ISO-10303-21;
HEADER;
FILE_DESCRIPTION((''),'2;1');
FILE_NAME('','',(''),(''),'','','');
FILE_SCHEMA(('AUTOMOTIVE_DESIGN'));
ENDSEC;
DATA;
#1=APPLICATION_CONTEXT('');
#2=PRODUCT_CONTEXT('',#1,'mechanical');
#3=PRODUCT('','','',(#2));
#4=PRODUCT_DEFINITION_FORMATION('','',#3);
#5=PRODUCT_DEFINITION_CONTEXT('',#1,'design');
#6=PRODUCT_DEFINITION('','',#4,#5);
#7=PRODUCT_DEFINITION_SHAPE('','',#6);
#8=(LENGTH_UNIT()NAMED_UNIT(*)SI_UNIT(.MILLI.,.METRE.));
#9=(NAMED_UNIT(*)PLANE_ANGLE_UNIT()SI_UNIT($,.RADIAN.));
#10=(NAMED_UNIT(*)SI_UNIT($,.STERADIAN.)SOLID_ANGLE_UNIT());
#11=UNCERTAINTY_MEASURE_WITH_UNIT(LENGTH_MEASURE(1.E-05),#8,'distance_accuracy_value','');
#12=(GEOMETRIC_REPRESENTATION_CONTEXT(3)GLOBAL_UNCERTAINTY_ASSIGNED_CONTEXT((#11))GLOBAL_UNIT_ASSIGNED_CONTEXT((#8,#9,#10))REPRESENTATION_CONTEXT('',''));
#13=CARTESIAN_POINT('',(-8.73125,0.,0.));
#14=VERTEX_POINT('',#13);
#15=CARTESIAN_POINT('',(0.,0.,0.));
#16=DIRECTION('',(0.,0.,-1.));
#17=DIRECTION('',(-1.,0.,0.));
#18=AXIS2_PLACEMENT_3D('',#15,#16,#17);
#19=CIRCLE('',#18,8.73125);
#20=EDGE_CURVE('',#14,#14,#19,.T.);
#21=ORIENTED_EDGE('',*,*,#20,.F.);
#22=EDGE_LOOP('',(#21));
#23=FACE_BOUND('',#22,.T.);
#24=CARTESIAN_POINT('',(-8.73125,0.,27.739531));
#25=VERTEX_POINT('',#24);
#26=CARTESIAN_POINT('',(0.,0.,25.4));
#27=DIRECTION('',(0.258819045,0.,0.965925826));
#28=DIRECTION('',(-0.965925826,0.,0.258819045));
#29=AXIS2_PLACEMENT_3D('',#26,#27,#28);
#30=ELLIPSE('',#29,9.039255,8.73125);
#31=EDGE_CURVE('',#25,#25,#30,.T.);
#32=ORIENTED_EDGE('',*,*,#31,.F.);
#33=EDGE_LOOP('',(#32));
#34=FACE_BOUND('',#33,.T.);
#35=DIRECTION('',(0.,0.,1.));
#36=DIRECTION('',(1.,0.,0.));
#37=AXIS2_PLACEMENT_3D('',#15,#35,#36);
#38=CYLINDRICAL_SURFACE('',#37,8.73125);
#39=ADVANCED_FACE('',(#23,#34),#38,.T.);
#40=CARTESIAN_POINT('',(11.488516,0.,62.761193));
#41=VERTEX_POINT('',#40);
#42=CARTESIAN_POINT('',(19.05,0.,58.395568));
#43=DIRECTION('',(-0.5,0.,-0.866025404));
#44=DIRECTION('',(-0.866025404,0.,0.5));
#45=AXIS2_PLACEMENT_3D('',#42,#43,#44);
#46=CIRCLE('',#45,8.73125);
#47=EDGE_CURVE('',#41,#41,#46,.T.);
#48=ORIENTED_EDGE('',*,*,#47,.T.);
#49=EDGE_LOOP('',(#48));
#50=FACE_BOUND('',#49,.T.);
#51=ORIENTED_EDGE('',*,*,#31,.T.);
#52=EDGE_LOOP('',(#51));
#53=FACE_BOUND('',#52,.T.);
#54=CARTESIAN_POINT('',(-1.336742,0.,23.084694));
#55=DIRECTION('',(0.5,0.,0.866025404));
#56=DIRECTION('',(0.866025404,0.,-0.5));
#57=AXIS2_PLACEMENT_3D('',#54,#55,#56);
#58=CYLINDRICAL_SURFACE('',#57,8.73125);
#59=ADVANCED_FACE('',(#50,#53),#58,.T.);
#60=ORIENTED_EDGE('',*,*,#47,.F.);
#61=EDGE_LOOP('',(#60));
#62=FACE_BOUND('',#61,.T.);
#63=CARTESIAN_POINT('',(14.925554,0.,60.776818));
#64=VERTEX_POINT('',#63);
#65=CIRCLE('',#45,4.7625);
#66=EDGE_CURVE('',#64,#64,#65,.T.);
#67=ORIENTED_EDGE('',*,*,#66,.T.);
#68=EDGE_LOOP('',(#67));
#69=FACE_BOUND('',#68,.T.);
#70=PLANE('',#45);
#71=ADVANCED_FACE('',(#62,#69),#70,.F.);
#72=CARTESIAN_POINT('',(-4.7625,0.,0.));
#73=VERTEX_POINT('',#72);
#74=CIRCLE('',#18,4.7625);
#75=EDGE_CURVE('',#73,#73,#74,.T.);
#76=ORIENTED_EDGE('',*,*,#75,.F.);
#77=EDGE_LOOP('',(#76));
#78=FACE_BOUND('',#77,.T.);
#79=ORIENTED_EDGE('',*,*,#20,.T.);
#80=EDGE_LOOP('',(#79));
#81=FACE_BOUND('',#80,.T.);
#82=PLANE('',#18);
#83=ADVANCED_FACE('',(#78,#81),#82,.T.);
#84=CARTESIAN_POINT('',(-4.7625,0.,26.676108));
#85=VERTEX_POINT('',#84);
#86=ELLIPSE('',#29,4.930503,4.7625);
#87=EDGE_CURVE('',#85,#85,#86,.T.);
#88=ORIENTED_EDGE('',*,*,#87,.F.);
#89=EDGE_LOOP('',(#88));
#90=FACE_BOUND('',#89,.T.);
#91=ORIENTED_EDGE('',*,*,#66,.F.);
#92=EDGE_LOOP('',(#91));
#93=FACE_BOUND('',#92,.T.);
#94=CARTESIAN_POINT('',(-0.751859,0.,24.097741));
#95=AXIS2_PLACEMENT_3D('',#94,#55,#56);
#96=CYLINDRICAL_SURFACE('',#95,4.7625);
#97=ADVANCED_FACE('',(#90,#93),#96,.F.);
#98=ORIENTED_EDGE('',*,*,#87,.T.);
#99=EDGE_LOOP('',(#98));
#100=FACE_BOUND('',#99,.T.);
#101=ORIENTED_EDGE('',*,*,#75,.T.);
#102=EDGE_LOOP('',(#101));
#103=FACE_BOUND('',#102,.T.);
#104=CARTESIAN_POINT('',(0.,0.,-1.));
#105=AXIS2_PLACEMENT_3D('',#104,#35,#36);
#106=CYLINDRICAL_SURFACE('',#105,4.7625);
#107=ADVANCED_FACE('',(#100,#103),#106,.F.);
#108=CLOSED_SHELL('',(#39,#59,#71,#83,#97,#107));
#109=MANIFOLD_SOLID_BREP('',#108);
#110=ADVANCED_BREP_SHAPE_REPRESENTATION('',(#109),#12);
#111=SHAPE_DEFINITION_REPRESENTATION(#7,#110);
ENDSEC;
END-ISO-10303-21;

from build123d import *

# Parameters (mm, degrees)
SWEEP1_PROFILE_R     = 8.73125
CUT_SWEEP1_PROFILE_R = 4.7625


with BuildPart() as part:
    # Sweep1: sweep along a curve in space
    with BuildLine() as sweep1_path:
        Line((0, 0, 0), (0, 0, 25.4))
        Line((0, 0, 25.4), (19.05, 0, 58.395567884))
    # Sweep1 profile (on start of the path) → Sweep1 (sweep)
    with BuildSketch(Plane.XY):
        Circle(SWEEP1_PROFILE_R)
    sweep(path=sweep1_path.line, transition=Transition.RIGHT)

    # Cut-Sweep1: sweep along a curve in space
    with BuildLine() as cut_sweep1_path:
        Line((0, 0, 0), (0, 0, 25.4))
        Line((0, 0, 25.4), (19.05, 0, 58.395567884))
    # Cut-Sweep1 profile (on start of the path) → Cut-Sweep1 (sweep, cut)
    with BuildSketch(Plane.XY):
        Circle(CUT_SWEEP1_PROFILE_R)
    sweep(path=cut_sweep1_path.line, transition=Transition.RIGHT, mode=Mode.SUBTRACT)


solid = part.part
